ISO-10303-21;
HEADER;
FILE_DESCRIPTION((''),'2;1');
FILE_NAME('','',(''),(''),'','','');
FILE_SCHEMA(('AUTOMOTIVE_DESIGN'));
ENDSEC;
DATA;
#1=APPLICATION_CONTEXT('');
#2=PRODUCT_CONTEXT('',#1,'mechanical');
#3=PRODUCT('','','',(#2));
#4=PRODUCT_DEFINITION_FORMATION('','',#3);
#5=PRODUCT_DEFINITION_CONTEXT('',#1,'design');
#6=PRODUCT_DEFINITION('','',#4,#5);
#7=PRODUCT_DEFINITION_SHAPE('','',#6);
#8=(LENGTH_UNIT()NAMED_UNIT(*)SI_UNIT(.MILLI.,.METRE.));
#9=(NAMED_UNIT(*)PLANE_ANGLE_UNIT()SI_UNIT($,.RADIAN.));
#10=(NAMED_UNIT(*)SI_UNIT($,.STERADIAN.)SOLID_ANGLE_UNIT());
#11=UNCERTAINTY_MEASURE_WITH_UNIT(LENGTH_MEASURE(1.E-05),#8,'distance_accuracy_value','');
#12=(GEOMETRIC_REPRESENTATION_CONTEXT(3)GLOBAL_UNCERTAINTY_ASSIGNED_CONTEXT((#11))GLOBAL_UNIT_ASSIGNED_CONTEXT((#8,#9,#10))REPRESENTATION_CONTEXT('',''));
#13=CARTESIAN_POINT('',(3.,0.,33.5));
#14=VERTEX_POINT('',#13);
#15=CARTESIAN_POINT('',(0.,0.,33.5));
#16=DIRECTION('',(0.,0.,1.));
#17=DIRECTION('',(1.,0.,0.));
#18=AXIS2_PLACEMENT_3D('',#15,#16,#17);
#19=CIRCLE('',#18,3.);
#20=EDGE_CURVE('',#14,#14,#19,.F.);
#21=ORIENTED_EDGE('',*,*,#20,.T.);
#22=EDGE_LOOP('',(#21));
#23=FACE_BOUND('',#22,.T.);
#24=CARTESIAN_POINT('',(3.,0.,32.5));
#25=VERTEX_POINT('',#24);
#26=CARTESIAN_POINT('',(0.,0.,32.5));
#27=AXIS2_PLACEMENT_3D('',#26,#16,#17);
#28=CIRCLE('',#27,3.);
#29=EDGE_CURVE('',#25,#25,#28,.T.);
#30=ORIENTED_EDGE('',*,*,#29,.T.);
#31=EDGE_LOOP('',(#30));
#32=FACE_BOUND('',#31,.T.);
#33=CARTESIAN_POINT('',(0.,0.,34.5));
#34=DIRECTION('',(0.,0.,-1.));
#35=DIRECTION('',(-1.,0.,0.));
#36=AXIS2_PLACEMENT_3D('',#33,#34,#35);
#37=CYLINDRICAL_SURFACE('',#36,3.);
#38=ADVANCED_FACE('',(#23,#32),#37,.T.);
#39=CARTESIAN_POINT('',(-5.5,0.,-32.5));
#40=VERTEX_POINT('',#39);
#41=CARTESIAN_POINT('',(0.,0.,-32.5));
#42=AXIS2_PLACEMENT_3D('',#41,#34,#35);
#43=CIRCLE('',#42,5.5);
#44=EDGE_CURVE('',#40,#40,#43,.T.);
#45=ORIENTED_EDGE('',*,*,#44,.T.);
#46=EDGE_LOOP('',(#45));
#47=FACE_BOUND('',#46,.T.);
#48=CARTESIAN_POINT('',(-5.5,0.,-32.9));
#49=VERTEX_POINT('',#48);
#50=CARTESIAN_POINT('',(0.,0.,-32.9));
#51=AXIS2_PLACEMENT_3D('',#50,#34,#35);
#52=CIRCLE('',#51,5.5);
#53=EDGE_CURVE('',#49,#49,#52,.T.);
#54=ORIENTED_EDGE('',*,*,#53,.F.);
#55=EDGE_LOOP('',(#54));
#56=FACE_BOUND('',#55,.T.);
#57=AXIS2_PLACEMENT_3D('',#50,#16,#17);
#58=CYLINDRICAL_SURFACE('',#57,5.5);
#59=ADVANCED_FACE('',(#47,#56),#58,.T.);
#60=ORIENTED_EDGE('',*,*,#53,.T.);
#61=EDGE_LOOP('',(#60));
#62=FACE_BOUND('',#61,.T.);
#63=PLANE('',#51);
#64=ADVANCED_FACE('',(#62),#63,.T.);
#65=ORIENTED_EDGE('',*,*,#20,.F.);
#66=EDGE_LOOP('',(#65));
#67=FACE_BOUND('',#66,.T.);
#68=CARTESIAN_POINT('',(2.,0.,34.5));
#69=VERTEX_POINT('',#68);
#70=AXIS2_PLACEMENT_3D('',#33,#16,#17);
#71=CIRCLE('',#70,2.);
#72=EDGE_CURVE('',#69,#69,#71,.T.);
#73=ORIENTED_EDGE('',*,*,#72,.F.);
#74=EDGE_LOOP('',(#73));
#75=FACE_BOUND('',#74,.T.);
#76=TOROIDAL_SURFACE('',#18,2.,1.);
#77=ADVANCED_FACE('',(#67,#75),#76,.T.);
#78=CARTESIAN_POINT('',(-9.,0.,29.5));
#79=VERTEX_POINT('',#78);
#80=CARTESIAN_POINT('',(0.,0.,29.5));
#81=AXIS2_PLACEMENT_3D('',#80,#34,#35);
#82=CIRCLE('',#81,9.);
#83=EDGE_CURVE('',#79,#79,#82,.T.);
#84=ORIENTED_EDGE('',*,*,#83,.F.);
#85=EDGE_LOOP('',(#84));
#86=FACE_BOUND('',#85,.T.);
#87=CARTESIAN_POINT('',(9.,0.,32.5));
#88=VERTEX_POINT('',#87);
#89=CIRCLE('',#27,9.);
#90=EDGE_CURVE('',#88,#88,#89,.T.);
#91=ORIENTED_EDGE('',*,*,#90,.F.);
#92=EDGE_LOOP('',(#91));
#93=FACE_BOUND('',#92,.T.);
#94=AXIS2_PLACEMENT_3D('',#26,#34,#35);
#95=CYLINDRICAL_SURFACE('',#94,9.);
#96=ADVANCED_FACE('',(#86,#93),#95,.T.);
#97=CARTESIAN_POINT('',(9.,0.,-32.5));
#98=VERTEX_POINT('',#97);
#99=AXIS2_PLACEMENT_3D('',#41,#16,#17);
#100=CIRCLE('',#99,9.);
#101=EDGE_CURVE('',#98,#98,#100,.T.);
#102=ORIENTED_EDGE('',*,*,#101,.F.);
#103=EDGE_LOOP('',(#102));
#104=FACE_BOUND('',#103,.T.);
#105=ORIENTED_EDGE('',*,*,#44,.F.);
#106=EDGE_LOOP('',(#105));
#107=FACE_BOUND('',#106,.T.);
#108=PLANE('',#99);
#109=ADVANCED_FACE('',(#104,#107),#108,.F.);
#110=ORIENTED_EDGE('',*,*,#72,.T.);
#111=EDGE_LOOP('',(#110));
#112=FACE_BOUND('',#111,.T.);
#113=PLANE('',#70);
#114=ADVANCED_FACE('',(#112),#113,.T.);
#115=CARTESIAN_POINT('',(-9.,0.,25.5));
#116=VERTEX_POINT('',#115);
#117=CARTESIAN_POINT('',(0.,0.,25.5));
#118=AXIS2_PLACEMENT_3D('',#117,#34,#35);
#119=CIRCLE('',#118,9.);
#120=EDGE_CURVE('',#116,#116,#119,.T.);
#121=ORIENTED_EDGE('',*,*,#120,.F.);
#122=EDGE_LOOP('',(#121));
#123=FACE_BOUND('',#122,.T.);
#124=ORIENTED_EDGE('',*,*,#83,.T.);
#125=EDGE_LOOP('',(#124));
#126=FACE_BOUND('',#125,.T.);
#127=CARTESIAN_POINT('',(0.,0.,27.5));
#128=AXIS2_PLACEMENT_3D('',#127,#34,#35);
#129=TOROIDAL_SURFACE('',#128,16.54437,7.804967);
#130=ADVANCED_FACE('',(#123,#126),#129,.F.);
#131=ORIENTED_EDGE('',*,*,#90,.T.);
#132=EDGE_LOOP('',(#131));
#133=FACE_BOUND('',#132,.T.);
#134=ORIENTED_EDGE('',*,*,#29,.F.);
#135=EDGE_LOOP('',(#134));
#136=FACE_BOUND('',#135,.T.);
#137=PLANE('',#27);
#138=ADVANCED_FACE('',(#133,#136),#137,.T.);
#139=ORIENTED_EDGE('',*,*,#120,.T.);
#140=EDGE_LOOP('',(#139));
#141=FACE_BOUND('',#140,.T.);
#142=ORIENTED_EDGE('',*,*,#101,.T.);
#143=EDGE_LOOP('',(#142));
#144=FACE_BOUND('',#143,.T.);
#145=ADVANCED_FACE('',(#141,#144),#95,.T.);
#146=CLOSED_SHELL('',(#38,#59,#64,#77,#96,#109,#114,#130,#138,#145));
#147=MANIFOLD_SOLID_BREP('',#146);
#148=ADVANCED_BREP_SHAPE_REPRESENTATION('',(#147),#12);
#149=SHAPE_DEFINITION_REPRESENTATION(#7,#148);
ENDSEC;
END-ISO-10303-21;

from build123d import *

# Parameters (mm, degrees)
ESBO_O1_R                = 9
RESSALTO_EXTRUS_O1_DEPTH = 32.5
ESBO_O2_R                = 3
RESSALTO_EXTRUS_O2_DEPTH = 2
FILETE1_R                = 1
ESBO_O4_R                = 5.5
RESSALTO_EXTRUS_O3_DEPTH = 0.4


with BuildPart() as part:
    # Esboço1 → Ressalto-extrusão1 (new body, symmetric)
    with BuildSketch(Plane.XY):
        Circle(ESBO_O1_R)
    extrude(amount=RESSALTO_EXTRUS_O1_DEPTH, both=True)

    # Esboço2 → Ressalto-extrusão2 (add)
    with BuildSketch(Plane.XY.offset(32.5)):
        Circle(ESBO_O2_R)
    extrude(amount=RESSALTO_EXTRUS_O2_DEPTH)

    # Filete1
    filete1_edges = [part.edges().sort_by_distance(p)[0] for p in [
        (-3, 0, 34.5),
    ]]
    fillet(filete1_edges, radius=FILETE1_R)

    # Esboço3 → Corte-Revolução1 (revolve, cut)
    with BuildSketch(Plane(origin=(0, 0, 0), x_dir=(0, 0, -1), z_dir=(1, 0, 0))):
        with BuildLine():
            Line((-29.5, 9), (-25.5, 9))
            ThreePointArc((-25.5, 9), (-27.5, 8.73940243), (-29.5, 9))
        make_face()
    revolve(axis=Axis((0, 0, 34.5), (0, 0, 1)), mode=Mode.SUBTRACT)

    # Esboço4 → Ressalto-extrusão3 (add)
    with BuildSketch(Plane(origin=(0, 0, -32.5), x_dir=(-1, 0, 0), z_dir=(0, 0, -1))):
        Circle(ESBO_O4_R)
    extrude(amount=RESSALTO_EXTRUS_O3_DEPTH)


solid = part.part
